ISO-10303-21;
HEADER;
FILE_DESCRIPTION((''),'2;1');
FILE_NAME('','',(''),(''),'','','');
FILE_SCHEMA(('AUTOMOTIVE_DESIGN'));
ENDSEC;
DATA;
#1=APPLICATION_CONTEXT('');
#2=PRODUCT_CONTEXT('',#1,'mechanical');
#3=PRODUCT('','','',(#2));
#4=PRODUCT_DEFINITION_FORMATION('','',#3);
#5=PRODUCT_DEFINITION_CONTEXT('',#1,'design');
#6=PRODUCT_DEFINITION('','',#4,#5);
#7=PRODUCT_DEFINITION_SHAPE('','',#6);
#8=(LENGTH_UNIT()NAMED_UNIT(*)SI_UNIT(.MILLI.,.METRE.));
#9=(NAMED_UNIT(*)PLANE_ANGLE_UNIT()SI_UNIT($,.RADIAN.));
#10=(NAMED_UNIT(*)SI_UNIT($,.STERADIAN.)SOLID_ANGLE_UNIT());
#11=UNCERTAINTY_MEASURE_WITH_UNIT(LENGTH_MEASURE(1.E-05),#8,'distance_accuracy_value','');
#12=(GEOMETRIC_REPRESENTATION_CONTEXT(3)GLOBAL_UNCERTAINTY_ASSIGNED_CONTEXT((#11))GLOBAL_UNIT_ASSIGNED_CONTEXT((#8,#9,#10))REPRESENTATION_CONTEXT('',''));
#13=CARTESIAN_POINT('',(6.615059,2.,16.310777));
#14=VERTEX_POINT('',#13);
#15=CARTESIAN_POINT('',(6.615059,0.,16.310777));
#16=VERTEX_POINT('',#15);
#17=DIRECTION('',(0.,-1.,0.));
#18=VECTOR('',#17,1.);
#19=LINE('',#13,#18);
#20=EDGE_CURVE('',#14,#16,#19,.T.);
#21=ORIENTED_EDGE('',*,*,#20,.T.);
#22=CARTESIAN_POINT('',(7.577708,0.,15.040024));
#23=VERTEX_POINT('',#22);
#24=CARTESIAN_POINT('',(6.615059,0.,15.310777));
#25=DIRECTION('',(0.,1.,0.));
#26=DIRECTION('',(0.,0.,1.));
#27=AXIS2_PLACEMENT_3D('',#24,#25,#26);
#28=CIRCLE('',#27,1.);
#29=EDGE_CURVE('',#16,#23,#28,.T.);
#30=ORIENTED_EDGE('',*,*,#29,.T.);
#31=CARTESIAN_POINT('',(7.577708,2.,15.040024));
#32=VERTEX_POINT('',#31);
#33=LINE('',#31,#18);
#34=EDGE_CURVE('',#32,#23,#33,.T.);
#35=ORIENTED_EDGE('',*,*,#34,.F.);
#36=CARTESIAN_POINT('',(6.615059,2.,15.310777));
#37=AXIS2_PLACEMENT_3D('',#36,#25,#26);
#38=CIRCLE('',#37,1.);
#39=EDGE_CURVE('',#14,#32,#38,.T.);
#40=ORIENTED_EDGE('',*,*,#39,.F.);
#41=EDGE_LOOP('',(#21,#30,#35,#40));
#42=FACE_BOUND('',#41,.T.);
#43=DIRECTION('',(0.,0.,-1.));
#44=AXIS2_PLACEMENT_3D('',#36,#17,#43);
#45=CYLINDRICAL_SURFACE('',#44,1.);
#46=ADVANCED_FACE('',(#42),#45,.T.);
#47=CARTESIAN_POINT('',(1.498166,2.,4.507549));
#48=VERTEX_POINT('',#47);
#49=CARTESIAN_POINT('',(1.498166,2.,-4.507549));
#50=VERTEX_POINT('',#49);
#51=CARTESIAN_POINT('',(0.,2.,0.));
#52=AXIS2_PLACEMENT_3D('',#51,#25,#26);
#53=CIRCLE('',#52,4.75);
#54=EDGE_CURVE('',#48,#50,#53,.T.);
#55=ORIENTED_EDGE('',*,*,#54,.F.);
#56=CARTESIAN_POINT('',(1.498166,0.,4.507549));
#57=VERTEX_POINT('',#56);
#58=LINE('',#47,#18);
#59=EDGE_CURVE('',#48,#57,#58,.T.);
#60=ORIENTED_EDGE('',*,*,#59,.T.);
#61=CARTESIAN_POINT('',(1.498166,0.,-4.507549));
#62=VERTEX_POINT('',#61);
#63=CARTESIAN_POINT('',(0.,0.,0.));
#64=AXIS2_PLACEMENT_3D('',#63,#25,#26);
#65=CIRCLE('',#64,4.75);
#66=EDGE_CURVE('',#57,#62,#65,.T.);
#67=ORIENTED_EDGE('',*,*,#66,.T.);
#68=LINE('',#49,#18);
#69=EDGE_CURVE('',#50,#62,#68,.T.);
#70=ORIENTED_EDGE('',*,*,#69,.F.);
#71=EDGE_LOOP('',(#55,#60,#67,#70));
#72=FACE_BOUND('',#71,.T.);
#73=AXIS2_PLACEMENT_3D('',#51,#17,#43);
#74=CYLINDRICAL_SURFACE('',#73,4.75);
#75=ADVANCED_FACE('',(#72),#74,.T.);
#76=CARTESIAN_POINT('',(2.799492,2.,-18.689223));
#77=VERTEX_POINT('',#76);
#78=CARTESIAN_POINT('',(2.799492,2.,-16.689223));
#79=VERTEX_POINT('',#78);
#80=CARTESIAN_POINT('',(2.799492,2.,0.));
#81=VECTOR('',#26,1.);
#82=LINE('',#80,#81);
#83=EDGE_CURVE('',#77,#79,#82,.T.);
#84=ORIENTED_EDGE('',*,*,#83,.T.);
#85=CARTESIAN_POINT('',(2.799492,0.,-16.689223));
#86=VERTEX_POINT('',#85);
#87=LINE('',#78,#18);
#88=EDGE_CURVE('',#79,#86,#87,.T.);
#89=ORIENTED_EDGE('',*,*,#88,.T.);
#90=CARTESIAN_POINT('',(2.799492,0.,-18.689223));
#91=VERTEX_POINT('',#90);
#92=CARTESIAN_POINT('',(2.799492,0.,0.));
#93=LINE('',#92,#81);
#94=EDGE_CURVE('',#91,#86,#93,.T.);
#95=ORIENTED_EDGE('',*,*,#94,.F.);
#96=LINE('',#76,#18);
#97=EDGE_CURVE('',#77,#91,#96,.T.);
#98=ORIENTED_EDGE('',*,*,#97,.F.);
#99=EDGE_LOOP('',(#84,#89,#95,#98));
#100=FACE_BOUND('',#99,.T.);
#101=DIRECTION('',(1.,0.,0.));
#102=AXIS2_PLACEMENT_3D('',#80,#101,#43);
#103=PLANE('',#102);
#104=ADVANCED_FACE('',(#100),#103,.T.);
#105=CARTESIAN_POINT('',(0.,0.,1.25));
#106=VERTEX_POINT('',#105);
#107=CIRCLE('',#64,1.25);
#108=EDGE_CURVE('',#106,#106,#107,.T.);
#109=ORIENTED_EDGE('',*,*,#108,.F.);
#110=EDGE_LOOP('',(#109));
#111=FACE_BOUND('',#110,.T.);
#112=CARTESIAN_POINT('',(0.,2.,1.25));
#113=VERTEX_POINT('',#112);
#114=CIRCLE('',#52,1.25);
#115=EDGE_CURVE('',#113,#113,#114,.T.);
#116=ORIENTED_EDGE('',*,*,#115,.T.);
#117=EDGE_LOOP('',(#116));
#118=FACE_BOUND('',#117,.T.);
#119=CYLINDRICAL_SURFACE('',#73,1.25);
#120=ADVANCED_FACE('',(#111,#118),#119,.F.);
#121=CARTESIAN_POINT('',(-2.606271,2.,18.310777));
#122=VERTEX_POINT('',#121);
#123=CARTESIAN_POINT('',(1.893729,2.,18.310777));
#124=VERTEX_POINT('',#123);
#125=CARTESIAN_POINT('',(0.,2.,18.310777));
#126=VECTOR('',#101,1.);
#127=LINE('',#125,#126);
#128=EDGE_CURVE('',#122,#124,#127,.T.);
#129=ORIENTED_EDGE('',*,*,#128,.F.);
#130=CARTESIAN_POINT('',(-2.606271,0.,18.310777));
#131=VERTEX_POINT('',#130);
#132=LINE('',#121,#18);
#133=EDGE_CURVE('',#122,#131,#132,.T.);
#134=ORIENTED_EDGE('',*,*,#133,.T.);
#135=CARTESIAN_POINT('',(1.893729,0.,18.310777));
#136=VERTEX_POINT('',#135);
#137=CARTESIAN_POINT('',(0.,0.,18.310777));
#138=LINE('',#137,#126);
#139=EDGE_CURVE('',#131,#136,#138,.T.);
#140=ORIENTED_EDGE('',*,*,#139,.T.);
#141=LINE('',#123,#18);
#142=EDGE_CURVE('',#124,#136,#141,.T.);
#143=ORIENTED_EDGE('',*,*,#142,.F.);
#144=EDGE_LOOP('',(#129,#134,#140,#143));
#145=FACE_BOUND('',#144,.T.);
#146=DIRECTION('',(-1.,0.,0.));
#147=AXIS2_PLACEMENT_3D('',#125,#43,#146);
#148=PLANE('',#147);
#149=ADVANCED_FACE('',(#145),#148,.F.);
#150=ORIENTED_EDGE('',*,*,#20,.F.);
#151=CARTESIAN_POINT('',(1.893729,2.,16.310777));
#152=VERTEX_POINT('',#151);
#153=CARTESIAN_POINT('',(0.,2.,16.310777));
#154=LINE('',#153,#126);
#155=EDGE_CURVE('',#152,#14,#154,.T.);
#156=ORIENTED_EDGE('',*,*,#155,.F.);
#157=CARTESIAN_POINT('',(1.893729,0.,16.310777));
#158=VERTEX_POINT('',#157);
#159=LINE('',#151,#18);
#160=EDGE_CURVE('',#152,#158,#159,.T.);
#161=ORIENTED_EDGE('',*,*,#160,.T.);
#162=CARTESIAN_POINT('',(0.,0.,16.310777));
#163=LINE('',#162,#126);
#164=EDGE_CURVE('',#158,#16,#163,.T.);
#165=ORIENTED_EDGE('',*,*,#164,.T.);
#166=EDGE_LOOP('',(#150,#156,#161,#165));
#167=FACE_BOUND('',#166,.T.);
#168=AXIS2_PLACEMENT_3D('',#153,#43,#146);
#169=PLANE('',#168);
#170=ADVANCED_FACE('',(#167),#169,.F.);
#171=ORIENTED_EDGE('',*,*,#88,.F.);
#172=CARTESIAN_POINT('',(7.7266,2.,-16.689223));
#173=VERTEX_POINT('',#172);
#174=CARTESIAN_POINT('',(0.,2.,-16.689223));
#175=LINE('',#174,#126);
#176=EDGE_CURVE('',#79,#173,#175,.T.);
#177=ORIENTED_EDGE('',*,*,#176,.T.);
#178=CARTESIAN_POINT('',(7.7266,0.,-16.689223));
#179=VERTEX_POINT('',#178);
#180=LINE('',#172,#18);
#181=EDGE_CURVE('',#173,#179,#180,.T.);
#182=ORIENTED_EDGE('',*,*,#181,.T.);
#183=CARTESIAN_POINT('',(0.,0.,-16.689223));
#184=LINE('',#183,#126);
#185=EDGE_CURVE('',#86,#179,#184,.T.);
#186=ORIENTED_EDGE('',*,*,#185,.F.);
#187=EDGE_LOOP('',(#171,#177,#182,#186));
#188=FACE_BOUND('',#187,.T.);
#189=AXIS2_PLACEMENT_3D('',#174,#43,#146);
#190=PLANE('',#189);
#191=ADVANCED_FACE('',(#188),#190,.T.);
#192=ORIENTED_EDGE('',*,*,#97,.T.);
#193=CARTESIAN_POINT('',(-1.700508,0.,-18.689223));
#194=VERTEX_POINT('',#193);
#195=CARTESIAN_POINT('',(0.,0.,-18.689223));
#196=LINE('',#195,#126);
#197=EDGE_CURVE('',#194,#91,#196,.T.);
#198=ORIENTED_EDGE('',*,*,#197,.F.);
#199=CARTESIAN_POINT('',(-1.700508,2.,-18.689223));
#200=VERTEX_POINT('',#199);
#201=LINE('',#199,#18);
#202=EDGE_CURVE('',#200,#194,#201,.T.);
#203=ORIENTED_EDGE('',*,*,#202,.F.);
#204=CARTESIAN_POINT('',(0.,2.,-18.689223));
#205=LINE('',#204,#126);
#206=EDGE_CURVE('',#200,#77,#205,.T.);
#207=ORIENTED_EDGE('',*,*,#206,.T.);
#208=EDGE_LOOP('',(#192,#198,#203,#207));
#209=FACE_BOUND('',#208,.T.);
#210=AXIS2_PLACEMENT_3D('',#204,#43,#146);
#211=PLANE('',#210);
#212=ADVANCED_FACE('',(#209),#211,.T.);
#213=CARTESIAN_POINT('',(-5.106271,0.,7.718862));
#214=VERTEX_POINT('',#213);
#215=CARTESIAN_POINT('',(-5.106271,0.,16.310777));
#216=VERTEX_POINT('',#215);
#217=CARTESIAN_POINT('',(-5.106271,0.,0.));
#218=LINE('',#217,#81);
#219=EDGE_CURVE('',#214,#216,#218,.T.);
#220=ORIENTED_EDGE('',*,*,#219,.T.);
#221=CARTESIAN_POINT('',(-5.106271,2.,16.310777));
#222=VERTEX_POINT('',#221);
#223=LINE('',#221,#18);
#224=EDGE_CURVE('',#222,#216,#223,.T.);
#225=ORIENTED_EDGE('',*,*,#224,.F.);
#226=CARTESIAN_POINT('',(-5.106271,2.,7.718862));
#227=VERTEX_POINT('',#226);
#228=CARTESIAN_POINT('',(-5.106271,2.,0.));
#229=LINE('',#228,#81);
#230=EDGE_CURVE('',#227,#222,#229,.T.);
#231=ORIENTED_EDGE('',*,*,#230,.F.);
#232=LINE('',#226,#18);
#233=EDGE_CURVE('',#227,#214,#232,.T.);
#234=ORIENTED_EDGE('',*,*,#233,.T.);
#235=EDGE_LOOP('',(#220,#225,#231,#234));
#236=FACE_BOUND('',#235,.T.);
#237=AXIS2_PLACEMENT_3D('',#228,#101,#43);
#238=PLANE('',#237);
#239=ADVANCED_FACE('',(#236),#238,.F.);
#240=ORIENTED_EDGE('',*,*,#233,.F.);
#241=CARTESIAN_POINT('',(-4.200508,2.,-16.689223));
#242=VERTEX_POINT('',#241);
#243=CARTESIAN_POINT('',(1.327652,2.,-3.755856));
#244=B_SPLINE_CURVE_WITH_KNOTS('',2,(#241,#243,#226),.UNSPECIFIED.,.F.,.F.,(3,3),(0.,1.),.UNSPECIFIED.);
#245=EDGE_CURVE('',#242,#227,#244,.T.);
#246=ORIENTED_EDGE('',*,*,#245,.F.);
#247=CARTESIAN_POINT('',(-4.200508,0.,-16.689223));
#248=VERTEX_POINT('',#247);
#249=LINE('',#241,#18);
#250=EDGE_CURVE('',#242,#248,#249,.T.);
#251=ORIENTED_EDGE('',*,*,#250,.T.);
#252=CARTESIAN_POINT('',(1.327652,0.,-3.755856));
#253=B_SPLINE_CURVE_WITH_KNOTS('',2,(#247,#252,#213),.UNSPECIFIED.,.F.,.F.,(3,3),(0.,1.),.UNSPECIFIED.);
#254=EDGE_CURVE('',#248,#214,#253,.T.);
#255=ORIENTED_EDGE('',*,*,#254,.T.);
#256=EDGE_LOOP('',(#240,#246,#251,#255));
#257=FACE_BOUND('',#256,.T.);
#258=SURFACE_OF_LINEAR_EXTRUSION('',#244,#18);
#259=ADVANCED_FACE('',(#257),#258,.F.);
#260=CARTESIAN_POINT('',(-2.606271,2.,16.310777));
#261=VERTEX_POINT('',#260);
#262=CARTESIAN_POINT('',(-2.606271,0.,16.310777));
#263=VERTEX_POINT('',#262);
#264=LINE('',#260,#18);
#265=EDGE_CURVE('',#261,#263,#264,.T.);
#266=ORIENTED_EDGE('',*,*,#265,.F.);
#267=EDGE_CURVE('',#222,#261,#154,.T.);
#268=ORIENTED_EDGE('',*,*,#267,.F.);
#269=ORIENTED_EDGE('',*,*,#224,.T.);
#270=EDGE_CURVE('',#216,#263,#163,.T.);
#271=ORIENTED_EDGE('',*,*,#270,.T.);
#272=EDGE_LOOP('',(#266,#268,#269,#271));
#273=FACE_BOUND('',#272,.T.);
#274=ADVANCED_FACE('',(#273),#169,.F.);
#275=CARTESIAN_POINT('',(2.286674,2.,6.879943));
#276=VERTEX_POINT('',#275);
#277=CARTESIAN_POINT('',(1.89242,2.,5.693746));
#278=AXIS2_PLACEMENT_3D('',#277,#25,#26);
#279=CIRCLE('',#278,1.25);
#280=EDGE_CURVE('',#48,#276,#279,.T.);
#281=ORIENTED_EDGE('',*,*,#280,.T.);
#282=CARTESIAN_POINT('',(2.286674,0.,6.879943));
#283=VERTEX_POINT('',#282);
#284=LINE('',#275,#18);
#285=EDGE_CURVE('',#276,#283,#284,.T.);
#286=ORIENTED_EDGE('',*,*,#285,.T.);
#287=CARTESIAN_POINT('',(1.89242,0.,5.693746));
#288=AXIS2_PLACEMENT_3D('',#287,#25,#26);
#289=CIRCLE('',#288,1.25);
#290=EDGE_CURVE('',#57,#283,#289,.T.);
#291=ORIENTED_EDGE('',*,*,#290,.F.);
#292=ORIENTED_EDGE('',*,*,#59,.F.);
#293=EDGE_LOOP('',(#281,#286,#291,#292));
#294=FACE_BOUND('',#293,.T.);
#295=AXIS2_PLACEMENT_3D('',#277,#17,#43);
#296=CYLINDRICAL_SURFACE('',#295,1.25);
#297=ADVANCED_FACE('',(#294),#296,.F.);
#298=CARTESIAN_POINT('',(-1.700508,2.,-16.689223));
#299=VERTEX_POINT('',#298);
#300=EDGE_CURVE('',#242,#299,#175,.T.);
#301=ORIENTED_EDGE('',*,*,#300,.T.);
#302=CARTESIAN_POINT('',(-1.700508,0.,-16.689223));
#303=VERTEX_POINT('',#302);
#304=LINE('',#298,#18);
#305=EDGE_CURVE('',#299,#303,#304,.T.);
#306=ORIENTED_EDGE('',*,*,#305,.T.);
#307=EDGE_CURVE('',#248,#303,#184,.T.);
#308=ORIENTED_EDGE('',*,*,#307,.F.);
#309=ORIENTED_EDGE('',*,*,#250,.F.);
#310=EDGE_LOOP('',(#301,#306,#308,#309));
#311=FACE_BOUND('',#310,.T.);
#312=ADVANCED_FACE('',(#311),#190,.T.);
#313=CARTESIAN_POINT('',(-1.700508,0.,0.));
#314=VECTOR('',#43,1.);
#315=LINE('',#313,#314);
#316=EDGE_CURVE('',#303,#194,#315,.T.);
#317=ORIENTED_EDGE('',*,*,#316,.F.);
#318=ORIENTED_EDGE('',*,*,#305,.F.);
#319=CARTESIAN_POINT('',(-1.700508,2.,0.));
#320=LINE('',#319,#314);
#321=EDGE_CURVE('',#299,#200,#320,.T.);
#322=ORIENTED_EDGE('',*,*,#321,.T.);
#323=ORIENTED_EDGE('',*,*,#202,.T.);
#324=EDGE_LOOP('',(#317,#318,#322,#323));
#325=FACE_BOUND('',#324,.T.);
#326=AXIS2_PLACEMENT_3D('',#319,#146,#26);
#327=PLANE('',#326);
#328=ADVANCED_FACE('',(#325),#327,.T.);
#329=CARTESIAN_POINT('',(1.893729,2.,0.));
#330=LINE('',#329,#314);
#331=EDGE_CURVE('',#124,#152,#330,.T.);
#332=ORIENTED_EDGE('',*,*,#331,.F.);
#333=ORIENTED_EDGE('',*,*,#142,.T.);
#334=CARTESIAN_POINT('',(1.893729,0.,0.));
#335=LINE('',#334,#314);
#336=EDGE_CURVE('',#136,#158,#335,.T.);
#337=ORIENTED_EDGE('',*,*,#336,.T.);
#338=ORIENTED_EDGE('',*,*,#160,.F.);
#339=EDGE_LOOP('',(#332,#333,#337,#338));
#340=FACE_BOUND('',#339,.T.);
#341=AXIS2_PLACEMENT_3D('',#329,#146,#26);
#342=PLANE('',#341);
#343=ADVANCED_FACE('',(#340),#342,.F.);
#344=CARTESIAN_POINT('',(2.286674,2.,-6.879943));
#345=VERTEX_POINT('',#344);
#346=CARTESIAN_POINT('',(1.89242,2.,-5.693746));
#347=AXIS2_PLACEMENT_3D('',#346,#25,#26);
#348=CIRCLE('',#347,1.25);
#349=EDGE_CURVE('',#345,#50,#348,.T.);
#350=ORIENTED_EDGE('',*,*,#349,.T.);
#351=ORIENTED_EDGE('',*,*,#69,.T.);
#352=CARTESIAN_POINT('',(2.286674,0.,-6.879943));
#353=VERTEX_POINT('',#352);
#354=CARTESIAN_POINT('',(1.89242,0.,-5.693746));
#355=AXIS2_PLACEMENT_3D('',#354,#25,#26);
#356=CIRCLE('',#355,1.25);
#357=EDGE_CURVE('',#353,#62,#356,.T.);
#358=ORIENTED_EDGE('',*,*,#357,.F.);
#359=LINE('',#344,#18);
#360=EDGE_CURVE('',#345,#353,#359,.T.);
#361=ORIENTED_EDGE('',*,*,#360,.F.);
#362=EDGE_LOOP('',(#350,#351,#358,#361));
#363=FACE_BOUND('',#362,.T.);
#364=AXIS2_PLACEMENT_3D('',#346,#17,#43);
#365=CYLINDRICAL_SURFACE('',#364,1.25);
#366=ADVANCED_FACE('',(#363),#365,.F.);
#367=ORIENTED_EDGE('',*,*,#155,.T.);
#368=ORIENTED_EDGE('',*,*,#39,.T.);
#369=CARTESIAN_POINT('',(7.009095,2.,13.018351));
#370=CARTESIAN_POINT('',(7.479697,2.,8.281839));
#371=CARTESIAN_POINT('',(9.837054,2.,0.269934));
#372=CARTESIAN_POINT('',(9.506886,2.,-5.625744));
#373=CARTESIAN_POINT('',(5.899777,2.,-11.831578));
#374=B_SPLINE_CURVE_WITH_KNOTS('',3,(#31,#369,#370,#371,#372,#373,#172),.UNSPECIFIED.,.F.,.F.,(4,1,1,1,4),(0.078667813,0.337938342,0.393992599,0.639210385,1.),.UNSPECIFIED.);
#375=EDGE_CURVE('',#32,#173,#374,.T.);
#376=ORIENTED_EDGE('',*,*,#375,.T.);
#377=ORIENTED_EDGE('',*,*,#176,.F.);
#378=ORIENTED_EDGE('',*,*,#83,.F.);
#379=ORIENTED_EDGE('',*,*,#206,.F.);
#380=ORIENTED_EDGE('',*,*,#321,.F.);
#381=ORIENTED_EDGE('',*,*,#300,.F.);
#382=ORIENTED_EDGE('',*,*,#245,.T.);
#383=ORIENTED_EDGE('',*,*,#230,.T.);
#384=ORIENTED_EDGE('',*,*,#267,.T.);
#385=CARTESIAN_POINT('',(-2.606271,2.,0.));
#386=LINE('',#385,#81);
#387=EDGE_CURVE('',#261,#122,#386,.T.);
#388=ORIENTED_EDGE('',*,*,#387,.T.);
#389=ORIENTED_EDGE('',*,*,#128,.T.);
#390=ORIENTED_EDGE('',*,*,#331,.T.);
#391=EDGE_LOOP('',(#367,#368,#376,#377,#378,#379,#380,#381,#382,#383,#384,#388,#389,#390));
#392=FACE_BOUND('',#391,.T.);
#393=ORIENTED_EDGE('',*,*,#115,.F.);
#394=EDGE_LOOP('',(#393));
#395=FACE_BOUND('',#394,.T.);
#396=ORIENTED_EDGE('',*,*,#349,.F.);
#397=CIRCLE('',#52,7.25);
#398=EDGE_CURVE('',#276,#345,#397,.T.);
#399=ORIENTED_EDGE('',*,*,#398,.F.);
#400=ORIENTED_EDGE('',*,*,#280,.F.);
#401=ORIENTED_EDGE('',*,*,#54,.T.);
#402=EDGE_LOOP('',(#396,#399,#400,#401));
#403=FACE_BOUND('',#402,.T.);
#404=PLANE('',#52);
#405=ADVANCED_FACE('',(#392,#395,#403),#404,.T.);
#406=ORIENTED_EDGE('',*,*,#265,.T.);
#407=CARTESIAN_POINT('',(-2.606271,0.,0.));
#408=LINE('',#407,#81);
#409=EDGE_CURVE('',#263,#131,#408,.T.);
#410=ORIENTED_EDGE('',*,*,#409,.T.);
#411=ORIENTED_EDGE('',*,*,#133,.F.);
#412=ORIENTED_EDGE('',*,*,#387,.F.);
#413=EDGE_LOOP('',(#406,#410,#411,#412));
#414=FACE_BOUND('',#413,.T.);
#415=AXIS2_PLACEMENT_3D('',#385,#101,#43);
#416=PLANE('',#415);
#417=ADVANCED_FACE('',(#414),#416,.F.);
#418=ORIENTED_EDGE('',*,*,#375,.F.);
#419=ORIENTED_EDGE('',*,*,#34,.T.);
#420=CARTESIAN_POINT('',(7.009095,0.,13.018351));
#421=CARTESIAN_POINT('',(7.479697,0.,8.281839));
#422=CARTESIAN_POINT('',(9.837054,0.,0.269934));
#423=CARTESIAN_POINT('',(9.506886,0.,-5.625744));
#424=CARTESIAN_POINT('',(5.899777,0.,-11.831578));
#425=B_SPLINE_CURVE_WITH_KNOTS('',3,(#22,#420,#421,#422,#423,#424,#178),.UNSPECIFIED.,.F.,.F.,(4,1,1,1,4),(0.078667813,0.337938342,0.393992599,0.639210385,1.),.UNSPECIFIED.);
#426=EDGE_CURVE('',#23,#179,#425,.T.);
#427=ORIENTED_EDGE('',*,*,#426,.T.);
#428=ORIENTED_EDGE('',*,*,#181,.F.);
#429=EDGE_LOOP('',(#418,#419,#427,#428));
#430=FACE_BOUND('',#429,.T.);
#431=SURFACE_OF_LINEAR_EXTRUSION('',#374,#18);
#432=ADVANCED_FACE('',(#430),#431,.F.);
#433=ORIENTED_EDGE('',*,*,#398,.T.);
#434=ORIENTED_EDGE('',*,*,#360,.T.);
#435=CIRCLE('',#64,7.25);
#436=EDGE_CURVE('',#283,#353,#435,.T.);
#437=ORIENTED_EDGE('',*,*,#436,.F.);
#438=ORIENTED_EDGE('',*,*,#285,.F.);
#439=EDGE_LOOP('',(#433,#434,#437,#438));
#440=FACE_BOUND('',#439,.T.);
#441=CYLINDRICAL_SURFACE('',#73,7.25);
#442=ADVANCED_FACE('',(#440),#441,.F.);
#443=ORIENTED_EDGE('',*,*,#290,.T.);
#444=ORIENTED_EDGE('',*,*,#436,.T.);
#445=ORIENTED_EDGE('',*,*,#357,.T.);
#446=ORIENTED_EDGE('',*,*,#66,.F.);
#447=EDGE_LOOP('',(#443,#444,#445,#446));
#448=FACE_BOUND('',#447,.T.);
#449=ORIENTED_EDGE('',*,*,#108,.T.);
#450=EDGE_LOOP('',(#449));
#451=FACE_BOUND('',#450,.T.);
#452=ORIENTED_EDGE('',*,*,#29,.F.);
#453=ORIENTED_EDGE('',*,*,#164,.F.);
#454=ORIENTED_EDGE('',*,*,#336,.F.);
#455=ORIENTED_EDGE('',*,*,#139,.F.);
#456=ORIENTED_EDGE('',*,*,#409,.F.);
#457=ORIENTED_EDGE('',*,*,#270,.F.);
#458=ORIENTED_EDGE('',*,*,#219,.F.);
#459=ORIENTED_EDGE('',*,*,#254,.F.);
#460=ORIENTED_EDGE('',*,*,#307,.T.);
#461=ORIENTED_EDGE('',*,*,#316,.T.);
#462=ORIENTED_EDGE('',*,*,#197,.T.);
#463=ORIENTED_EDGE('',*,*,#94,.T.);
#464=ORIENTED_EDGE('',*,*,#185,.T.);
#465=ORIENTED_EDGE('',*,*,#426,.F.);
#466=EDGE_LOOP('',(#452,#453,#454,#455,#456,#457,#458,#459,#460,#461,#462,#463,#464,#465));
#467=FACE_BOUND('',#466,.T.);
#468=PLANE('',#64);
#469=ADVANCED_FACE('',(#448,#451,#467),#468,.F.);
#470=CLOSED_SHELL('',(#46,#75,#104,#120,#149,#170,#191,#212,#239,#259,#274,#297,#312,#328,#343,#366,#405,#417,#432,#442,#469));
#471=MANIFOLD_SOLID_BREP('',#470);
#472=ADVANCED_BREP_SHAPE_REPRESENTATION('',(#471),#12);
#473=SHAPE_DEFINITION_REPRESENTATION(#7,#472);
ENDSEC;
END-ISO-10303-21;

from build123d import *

# Parameters (mm, degrees)
CROQUIS1_R              = 1.25
SALIENTE_EXTRUIR1_DEPTH = 2


with BuildPart() as part:
    # Croquis1 → Saliente-Extruir1 (new body)
    with BuildSketch(Plane(origin=(0, 0, 0), x_dir=(1, 0, 0), z_dir=(0, 1, 0))):
        with BuildLine():
            Line((-4.20050822, 16.689223124), (-1.70050822, 16.689223124))
            Line((-1.70050822, 16.689223124), (-1.70050822, 18.689223124))
            Line((-1.70050822, 18.689223124), (2.79949178, 18.689223124))
            Line((2.79949178, 18.689223124), (2.79949178, 16.689223124))
            Line((2.79949178, 16.689223124), (7.726600223, 16.689223124))
            add(Edge.make_bspline(
                [(7.577707829, -15.040023689), (7.009095125, -13.018350945), (7.479696929, -8.281838807), (9.837054162, -0.269934456), (9.506886296, 5.625743932), (5.899776863, 11.831578143), (7.726600223, 16.689223124)],
                knots=[0.078667813, 0.078667813, 0.078667813, 0.078667813, 0.337938342, 0.393992599, 0.639210385, 1, 1, 1, 1], degree=3))
            ThreePointArc((7.577707829, -15.040023689), (7.412164162, -15.914617423), (6.615059029, -16.310776876))
            Line((6.615059029, -16.310776876), (1.893728582, -16.310776876))
            Line((1.893728582, -16.310776876), (1.893728582, -18.310776876))
            Line((1.893728582, -18.310776876), (-2.606271418, -18.310776876))
            Line((-2.606271418, -18.310776876), (-2.606271418, -16.310776876))
            Line((-2.606271418, -16.310776876), (-5.106271418, -16.310776876))
            Line((-5.106271418, -16.310776876), (-5.106271418, -7.718861624))
            add(Edge.make_bspline(
                [(-4.20050822, 16.689223124), (1.327651649, 3.755856275), (-5.106271418, -7.718861624)],
                knots=[0, 0, 0, 1, 1, 1], degree=2))
        make_face()
        with Locations(Location((0, 0, 0), (0, 0, 270))):
            Circle(CROQUIS1_R, mode=Mode.SUBTRACT)
        with BuildLine():
            ThreePointArc((2.286674037, -6.879943448), (7.25, 0), (2.286674037, 6.879943448))
            ThreePointArc((2.286674037, 6.879943448), (0.706222747, 6.088000446), (1.498165749, 4.507549156))
            ThreePointArc((1.498165749, 4.507549156), (4.75, 0), (1.498165749, -4.507549156))
            ThreePointArc((1.498165749, -4.507549156), (0.706222747, -6.088000446), (2.286674037, -6.879943448))
        make_face(mode=Mode.SUBTRACT)
    extrude(amount=SALIENTE_EXTRUIR1_DEPTH)


solid = part.part
